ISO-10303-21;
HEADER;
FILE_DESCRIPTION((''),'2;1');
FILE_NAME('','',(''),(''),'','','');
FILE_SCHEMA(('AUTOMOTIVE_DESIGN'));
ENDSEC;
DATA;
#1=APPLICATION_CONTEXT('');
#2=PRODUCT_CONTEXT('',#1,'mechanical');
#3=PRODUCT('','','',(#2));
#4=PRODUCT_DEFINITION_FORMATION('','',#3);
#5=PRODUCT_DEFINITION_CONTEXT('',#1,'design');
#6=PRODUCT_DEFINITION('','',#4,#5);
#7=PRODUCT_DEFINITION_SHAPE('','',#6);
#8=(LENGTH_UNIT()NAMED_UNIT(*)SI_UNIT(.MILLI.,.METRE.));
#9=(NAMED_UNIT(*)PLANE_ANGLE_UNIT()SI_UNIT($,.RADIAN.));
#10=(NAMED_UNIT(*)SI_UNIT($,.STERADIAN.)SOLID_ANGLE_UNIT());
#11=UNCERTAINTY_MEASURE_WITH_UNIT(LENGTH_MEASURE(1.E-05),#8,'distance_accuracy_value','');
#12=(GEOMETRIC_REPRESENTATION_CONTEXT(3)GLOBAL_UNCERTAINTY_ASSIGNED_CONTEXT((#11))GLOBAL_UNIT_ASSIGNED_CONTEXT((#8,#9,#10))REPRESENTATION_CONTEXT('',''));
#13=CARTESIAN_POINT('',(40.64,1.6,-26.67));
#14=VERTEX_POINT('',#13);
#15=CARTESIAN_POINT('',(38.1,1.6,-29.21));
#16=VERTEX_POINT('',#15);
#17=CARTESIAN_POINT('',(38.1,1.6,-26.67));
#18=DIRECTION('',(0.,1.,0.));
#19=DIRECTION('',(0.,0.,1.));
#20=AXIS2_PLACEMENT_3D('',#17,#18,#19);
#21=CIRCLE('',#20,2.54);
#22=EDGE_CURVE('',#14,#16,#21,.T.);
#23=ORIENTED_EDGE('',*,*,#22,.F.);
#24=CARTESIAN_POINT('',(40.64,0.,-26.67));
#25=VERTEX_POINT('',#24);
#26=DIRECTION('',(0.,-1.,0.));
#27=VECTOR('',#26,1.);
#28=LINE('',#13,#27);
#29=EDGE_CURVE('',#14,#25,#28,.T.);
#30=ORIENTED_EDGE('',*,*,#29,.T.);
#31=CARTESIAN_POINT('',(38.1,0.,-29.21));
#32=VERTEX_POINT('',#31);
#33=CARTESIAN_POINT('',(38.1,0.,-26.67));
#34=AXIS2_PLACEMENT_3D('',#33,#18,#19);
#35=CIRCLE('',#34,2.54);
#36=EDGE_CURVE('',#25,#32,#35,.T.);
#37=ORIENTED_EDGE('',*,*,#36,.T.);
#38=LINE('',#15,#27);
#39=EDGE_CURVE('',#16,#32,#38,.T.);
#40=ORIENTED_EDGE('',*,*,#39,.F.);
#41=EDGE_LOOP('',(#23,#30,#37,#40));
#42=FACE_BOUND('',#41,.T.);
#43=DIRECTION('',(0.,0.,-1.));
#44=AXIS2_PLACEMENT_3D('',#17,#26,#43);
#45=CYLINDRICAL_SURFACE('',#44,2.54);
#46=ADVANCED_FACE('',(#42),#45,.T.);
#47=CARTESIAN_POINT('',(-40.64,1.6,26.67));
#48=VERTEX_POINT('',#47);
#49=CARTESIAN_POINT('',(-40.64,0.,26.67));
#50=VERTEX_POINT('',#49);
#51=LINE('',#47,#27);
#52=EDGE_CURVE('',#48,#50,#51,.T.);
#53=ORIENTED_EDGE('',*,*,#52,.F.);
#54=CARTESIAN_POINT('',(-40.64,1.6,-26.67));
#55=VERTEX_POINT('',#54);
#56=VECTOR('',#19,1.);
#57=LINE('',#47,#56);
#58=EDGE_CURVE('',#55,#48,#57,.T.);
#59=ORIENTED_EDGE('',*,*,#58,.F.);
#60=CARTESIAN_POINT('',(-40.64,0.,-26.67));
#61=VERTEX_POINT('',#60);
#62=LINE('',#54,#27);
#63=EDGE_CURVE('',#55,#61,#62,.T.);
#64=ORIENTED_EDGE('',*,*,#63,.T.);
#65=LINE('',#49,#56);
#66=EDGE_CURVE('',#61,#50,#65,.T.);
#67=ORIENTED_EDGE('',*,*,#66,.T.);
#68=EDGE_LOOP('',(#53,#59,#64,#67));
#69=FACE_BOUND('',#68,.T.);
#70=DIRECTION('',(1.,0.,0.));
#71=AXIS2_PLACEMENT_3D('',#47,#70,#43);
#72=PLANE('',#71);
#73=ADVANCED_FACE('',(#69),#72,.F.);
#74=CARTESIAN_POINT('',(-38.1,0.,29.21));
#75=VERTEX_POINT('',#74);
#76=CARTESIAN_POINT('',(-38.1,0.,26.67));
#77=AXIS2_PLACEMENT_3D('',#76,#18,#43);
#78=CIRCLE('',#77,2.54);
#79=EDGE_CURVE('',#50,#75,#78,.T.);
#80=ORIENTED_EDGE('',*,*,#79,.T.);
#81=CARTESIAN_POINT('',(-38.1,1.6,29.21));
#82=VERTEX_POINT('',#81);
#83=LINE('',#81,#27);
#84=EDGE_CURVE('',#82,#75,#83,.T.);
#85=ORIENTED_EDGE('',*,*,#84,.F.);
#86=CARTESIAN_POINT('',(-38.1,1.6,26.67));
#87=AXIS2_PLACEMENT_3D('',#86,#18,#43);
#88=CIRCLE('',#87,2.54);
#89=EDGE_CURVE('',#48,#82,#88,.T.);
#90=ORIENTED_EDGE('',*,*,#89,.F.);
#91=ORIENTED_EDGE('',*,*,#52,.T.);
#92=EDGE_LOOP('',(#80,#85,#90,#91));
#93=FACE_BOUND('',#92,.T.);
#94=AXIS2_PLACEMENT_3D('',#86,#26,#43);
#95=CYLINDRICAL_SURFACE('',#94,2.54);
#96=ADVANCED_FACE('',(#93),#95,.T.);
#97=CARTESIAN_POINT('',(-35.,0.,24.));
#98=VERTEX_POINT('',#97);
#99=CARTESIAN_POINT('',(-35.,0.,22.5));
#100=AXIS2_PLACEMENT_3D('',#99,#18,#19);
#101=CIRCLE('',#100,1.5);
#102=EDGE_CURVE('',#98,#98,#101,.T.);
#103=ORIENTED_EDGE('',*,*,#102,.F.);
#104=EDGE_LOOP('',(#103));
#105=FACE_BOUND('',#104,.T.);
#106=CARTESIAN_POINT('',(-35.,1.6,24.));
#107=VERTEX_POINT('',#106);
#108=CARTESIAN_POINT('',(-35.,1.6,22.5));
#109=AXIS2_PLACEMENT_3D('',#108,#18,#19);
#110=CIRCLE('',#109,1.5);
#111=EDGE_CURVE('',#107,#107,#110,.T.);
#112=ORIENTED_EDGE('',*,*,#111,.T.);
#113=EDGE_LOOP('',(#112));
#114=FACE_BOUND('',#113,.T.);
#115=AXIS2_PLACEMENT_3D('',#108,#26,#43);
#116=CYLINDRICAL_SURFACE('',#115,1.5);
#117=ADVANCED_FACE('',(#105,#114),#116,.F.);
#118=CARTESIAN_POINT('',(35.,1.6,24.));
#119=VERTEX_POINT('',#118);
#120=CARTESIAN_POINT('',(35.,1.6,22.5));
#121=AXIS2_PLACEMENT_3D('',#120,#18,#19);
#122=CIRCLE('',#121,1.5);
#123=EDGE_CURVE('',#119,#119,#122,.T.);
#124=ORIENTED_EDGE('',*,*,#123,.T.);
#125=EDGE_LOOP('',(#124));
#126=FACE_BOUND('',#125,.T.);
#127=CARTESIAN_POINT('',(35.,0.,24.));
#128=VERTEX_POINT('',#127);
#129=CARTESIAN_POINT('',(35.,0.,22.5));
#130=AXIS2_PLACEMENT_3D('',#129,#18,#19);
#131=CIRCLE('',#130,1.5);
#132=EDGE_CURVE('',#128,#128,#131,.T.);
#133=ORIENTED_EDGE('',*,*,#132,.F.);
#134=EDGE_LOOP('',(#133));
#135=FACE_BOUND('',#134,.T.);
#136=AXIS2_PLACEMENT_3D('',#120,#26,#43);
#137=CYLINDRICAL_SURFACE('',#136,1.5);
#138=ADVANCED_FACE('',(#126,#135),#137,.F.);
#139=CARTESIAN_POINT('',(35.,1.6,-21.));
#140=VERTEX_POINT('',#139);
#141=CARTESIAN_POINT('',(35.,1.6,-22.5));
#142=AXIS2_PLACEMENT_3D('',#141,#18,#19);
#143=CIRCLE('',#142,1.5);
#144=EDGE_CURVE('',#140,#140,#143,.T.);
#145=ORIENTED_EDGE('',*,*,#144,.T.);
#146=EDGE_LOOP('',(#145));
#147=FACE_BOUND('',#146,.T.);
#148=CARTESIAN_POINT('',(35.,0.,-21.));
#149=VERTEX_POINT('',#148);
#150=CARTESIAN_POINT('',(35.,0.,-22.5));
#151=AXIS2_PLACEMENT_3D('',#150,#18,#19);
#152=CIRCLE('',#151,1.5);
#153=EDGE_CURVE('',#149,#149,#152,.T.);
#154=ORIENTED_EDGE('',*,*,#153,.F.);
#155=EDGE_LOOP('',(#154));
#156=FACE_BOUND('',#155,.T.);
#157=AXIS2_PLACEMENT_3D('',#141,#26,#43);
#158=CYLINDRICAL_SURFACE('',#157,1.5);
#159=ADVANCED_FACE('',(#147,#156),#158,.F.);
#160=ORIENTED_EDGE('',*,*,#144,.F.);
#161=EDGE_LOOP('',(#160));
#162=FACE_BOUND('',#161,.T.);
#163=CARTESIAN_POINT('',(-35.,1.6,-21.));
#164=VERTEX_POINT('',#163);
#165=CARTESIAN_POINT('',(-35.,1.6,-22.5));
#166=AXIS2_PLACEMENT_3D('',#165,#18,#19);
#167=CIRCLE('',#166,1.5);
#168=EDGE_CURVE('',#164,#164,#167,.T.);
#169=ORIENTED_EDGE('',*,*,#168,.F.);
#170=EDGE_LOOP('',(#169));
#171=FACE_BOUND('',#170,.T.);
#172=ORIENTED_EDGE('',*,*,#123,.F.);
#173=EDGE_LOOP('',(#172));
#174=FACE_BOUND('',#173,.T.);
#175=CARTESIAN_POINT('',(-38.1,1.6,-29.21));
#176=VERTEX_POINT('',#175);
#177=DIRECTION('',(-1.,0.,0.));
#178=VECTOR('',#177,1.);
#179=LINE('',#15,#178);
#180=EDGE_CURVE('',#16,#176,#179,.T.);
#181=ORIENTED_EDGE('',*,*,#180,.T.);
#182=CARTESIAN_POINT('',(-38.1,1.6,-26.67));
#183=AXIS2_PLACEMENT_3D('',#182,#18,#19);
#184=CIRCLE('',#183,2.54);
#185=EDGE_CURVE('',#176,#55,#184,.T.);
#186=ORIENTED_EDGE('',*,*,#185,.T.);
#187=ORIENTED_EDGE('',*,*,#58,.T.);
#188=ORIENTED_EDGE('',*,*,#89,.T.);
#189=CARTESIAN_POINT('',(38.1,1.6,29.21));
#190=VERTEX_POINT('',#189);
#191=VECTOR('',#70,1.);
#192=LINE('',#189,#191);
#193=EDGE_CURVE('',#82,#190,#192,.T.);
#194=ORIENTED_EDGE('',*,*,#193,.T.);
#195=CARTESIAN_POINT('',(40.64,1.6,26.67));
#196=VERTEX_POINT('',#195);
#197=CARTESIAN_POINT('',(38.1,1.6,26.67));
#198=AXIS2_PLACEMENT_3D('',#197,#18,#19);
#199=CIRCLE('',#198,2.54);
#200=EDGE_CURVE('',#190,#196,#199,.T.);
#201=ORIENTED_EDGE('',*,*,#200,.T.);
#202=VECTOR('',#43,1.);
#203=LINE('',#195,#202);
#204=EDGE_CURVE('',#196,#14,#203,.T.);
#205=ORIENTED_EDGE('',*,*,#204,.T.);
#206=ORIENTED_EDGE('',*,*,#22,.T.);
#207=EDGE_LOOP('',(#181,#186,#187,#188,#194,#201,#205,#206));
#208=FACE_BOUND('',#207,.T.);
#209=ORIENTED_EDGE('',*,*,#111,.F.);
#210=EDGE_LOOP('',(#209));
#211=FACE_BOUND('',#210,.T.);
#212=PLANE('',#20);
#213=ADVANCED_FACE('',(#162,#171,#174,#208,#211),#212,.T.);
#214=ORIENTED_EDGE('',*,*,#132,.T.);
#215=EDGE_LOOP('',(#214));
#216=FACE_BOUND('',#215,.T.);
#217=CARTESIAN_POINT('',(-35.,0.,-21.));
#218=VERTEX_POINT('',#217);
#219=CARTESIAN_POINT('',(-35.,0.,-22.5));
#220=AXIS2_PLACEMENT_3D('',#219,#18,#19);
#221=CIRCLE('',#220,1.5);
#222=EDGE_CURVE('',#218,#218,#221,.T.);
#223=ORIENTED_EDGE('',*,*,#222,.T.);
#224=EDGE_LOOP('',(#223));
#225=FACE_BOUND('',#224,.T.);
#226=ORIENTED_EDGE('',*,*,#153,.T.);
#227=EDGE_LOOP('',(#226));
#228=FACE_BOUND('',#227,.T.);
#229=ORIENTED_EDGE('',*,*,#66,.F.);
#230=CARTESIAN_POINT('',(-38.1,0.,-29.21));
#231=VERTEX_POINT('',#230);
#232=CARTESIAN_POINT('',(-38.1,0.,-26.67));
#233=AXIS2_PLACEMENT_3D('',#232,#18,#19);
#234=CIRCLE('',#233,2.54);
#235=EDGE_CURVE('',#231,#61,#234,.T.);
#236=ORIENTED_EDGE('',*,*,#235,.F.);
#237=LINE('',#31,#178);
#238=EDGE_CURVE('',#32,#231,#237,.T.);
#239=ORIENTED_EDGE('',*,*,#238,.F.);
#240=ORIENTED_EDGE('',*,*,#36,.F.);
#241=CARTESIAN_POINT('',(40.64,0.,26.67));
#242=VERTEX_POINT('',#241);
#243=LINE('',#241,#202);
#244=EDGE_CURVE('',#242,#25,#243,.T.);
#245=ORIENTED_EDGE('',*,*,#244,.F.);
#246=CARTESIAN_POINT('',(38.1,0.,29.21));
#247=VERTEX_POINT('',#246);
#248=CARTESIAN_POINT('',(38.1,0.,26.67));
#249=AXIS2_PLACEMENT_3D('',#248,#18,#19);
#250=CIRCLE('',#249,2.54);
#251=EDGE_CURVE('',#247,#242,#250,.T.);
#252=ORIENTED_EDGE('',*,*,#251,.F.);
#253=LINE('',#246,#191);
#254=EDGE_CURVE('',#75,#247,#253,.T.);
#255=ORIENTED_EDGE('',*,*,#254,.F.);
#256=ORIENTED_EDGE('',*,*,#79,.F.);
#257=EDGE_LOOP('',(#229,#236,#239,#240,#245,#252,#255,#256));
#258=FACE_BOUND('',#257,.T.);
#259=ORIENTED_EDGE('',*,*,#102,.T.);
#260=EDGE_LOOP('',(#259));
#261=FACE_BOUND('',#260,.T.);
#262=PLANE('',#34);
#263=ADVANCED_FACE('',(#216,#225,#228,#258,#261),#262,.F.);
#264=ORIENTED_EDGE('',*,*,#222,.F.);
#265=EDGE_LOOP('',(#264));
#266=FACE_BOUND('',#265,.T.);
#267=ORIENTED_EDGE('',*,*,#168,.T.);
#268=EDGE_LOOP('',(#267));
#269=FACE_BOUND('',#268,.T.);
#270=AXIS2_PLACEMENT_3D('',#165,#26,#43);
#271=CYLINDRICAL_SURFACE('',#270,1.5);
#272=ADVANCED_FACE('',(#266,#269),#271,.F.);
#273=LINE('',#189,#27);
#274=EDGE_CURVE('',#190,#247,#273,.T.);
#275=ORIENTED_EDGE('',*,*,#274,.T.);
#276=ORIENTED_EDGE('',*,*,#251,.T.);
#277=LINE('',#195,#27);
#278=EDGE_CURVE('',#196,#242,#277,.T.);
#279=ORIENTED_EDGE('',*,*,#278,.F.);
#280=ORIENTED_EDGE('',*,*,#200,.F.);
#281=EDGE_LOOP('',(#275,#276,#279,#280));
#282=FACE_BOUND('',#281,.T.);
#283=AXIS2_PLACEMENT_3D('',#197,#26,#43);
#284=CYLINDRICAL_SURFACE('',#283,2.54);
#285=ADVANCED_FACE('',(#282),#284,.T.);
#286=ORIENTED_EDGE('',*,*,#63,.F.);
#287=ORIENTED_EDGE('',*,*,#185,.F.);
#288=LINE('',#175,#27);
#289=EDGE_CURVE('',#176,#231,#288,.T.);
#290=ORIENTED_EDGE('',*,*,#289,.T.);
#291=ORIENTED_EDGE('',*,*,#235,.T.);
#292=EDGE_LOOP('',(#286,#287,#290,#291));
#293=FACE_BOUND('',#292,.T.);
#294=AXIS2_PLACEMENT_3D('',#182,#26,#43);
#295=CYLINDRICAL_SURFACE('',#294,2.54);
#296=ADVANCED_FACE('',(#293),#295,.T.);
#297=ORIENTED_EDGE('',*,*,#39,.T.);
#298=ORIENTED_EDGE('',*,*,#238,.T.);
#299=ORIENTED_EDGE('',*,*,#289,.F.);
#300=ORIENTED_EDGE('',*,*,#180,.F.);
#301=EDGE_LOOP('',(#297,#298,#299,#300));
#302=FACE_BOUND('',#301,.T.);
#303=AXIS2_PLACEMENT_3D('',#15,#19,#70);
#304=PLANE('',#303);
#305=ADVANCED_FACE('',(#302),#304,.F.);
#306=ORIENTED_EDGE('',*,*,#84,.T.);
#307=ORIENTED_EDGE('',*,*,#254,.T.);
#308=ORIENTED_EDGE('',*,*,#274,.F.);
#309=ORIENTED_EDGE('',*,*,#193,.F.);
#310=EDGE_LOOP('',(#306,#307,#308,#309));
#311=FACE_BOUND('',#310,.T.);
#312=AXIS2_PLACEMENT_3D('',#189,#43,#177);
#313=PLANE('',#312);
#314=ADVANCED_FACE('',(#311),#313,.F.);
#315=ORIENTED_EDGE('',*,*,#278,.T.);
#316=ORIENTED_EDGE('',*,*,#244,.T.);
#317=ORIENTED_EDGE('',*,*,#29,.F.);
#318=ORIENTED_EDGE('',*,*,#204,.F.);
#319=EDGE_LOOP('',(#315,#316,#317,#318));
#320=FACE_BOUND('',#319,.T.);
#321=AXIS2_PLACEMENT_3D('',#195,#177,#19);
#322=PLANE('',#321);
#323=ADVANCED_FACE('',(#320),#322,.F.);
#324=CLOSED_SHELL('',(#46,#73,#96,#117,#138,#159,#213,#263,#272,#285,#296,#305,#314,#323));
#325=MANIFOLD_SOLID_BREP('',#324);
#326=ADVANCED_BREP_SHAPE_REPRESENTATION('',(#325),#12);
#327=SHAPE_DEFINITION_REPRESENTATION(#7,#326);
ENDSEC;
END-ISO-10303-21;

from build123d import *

# Parameters (mm, degrees)
SKETCH_1_R      = 1.5
EXTRUDE_1_DEPTH = 1.6


with BuildPart() as part:
    # Эскиз1 → Бобышка-Вытянуть1 (new body)
    with BuildSketch(Plane(origin=(0, 0, 0), x_dir=(1, 0, 0), z_dir=(0, 1, 0))):
        with BuildLine():
            Line((38.1, -29.21), (-38.1, -29.21))
            ThreePointArc((-38.1, -29.21), (-39.896051224, -28.466051224), (-40.64, -26.67))
            Line((-40.64, -26.67), (-40.64, 26.67))
            ThreePointArc((-40.64, 26.67), (-39.896051224, 28.466051224), (-38.1, 29.21))
            Line((-38.1, 29.21), (38.1, 29.21))
            ThreePointArc((38.1, 29.21), (39.896051224, 28.466051224), (40.64, 26.67))
            Line((40.64, 26.67), (40.64, -26.67))
            ThreePointArc((40.64, -26.67), (39.896051224, -28.466051224), (38.1, -29.21))
        make_face()
        with Locations(Location((-35, 22.5, 0), (0, 0, 270))):
            Circle(SKETCH_1_R, mode=Mode.SUBTRACT)
        with Locations(Location((35, 22.5, 0), (0, 0, 270))):
            Circle(SKETCH_1_R, mode=Mode.SUBTRACT)
        with Locations(Location((35, -22.5, 0), (0, 0, 270))):
            Circle(SKETCH_1_R, mode=Mode.SUBTRACT)
        with Locations(Location((-35, -22.5, 0), (0, 0, 270))):
            Circle(SKETCH_1_R, mode=Mode.SUBTRACT)
    extrude(amount=EXTRUDE_1_DEPTH)


solid = part.part
